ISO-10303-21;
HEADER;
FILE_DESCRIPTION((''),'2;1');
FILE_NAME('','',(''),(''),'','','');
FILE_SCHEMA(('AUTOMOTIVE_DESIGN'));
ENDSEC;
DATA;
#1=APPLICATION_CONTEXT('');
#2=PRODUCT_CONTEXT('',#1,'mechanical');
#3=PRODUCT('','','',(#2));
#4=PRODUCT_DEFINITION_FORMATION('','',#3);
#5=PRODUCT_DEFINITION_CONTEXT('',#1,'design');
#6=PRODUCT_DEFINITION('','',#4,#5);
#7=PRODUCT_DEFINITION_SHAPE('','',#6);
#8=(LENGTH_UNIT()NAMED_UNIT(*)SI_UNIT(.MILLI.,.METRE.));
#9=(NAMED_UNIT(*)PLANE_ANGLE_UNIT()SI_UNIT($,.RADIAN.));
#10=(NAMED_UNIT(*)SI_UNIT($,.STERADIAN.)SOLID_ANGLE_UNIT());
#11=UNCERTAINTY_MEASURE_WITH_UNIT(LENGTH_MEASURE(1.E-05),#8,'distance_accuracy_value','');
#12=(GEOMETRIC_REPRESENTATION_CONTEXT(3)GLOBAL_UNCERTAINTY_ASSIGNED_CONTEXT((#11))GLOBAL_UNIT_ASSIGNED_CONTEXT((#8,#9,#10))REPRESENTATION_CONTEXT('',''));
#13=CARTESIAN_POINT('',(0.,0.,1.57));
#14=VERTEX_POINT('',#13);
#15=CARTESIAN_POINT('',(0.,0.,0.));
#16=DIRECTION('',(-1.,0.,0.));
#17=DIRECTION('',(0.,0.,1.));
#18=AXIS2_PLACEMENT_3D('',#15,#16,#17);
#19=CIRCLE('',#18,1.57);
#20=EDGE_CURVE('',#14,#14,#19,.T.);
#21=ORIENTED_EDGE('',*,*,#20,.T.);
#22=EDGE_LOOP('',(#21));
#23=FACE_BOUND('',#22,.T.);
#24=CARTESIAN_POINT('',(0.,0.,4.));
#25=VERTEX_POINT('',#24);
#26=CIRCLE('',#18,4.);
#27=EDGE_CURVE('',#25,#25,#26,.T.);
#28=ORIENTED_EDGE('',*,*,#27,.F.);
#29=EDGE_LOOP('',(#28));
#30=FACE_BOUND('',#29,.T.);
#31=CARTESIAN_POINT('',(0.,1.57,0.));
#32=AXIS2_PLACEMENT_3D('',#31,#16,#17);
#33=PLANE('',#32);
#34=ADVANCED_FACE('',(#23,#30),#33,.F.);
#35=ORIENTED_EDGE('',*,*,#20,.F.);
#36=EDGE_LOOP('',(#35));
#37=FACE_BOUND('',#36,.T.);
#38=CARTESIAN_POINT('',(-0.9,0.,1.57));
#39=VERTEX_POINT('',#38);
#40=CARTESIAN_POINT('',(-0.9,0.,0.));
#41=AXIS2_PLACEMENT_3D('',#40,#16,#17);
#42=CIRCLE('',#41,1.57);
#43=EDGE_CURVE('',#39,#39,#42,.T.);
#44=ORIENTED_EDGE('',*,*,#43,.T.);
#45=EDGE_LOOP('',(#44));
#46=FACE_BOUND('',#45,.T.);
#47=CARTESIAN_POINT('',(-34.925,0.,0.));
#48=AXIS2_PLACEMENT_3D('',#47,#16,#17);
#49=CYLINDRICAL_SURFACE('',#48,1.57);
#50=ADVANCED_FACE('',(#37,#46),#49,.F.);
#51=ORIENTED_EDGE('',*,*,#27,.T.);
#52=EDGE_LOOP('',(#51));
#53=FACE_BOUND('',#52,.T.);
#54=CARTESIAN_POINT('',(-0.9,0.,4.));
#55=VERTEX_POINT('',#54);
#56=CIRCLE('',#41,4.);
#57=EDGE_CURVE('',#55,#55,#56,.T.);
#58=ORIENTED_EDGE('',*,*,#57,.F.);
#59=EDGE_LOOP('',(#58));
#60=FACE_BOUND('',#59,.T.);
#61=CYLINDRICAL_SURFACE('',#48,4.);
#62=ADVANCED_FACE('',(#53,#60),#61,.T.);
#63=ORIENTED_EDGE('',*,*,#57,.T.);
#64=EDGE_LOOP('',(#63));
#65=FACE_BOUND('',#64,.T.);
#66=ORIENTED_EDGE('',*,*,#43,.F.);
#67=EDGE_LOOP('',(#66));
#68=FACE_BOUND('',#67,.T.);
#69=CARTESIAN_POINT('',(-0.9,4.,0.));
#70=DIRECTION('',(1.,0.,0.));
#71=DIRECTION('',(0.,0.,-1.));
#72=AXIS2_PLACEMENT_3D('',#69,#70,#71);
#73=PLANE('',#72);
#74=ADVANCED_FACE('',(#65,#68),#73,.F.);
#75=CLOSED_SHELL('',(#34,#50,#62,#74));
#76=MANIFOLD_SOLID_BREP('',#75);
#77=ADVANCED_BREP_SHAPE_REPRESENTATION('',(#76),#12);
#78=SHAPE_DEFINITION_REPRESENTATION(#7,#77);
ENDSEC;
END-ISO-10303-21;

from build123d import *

# Parameters (mm, degrees)
SKETCH1_W = 0.9
SKETCH1_H = 2.43


with BuildPart() as part:
    # Sketch1 → Base-Revolve (revolve)
    with BuildSketch(Plane.XY):
        with Locations((-0.45, 2.785)):
            Rectangle(SKETCH1_W, SKETCH1_H)
    revolve(axis=Axis((-34.925, 0, 0), (1, 0, 0)))


solid = part.part
